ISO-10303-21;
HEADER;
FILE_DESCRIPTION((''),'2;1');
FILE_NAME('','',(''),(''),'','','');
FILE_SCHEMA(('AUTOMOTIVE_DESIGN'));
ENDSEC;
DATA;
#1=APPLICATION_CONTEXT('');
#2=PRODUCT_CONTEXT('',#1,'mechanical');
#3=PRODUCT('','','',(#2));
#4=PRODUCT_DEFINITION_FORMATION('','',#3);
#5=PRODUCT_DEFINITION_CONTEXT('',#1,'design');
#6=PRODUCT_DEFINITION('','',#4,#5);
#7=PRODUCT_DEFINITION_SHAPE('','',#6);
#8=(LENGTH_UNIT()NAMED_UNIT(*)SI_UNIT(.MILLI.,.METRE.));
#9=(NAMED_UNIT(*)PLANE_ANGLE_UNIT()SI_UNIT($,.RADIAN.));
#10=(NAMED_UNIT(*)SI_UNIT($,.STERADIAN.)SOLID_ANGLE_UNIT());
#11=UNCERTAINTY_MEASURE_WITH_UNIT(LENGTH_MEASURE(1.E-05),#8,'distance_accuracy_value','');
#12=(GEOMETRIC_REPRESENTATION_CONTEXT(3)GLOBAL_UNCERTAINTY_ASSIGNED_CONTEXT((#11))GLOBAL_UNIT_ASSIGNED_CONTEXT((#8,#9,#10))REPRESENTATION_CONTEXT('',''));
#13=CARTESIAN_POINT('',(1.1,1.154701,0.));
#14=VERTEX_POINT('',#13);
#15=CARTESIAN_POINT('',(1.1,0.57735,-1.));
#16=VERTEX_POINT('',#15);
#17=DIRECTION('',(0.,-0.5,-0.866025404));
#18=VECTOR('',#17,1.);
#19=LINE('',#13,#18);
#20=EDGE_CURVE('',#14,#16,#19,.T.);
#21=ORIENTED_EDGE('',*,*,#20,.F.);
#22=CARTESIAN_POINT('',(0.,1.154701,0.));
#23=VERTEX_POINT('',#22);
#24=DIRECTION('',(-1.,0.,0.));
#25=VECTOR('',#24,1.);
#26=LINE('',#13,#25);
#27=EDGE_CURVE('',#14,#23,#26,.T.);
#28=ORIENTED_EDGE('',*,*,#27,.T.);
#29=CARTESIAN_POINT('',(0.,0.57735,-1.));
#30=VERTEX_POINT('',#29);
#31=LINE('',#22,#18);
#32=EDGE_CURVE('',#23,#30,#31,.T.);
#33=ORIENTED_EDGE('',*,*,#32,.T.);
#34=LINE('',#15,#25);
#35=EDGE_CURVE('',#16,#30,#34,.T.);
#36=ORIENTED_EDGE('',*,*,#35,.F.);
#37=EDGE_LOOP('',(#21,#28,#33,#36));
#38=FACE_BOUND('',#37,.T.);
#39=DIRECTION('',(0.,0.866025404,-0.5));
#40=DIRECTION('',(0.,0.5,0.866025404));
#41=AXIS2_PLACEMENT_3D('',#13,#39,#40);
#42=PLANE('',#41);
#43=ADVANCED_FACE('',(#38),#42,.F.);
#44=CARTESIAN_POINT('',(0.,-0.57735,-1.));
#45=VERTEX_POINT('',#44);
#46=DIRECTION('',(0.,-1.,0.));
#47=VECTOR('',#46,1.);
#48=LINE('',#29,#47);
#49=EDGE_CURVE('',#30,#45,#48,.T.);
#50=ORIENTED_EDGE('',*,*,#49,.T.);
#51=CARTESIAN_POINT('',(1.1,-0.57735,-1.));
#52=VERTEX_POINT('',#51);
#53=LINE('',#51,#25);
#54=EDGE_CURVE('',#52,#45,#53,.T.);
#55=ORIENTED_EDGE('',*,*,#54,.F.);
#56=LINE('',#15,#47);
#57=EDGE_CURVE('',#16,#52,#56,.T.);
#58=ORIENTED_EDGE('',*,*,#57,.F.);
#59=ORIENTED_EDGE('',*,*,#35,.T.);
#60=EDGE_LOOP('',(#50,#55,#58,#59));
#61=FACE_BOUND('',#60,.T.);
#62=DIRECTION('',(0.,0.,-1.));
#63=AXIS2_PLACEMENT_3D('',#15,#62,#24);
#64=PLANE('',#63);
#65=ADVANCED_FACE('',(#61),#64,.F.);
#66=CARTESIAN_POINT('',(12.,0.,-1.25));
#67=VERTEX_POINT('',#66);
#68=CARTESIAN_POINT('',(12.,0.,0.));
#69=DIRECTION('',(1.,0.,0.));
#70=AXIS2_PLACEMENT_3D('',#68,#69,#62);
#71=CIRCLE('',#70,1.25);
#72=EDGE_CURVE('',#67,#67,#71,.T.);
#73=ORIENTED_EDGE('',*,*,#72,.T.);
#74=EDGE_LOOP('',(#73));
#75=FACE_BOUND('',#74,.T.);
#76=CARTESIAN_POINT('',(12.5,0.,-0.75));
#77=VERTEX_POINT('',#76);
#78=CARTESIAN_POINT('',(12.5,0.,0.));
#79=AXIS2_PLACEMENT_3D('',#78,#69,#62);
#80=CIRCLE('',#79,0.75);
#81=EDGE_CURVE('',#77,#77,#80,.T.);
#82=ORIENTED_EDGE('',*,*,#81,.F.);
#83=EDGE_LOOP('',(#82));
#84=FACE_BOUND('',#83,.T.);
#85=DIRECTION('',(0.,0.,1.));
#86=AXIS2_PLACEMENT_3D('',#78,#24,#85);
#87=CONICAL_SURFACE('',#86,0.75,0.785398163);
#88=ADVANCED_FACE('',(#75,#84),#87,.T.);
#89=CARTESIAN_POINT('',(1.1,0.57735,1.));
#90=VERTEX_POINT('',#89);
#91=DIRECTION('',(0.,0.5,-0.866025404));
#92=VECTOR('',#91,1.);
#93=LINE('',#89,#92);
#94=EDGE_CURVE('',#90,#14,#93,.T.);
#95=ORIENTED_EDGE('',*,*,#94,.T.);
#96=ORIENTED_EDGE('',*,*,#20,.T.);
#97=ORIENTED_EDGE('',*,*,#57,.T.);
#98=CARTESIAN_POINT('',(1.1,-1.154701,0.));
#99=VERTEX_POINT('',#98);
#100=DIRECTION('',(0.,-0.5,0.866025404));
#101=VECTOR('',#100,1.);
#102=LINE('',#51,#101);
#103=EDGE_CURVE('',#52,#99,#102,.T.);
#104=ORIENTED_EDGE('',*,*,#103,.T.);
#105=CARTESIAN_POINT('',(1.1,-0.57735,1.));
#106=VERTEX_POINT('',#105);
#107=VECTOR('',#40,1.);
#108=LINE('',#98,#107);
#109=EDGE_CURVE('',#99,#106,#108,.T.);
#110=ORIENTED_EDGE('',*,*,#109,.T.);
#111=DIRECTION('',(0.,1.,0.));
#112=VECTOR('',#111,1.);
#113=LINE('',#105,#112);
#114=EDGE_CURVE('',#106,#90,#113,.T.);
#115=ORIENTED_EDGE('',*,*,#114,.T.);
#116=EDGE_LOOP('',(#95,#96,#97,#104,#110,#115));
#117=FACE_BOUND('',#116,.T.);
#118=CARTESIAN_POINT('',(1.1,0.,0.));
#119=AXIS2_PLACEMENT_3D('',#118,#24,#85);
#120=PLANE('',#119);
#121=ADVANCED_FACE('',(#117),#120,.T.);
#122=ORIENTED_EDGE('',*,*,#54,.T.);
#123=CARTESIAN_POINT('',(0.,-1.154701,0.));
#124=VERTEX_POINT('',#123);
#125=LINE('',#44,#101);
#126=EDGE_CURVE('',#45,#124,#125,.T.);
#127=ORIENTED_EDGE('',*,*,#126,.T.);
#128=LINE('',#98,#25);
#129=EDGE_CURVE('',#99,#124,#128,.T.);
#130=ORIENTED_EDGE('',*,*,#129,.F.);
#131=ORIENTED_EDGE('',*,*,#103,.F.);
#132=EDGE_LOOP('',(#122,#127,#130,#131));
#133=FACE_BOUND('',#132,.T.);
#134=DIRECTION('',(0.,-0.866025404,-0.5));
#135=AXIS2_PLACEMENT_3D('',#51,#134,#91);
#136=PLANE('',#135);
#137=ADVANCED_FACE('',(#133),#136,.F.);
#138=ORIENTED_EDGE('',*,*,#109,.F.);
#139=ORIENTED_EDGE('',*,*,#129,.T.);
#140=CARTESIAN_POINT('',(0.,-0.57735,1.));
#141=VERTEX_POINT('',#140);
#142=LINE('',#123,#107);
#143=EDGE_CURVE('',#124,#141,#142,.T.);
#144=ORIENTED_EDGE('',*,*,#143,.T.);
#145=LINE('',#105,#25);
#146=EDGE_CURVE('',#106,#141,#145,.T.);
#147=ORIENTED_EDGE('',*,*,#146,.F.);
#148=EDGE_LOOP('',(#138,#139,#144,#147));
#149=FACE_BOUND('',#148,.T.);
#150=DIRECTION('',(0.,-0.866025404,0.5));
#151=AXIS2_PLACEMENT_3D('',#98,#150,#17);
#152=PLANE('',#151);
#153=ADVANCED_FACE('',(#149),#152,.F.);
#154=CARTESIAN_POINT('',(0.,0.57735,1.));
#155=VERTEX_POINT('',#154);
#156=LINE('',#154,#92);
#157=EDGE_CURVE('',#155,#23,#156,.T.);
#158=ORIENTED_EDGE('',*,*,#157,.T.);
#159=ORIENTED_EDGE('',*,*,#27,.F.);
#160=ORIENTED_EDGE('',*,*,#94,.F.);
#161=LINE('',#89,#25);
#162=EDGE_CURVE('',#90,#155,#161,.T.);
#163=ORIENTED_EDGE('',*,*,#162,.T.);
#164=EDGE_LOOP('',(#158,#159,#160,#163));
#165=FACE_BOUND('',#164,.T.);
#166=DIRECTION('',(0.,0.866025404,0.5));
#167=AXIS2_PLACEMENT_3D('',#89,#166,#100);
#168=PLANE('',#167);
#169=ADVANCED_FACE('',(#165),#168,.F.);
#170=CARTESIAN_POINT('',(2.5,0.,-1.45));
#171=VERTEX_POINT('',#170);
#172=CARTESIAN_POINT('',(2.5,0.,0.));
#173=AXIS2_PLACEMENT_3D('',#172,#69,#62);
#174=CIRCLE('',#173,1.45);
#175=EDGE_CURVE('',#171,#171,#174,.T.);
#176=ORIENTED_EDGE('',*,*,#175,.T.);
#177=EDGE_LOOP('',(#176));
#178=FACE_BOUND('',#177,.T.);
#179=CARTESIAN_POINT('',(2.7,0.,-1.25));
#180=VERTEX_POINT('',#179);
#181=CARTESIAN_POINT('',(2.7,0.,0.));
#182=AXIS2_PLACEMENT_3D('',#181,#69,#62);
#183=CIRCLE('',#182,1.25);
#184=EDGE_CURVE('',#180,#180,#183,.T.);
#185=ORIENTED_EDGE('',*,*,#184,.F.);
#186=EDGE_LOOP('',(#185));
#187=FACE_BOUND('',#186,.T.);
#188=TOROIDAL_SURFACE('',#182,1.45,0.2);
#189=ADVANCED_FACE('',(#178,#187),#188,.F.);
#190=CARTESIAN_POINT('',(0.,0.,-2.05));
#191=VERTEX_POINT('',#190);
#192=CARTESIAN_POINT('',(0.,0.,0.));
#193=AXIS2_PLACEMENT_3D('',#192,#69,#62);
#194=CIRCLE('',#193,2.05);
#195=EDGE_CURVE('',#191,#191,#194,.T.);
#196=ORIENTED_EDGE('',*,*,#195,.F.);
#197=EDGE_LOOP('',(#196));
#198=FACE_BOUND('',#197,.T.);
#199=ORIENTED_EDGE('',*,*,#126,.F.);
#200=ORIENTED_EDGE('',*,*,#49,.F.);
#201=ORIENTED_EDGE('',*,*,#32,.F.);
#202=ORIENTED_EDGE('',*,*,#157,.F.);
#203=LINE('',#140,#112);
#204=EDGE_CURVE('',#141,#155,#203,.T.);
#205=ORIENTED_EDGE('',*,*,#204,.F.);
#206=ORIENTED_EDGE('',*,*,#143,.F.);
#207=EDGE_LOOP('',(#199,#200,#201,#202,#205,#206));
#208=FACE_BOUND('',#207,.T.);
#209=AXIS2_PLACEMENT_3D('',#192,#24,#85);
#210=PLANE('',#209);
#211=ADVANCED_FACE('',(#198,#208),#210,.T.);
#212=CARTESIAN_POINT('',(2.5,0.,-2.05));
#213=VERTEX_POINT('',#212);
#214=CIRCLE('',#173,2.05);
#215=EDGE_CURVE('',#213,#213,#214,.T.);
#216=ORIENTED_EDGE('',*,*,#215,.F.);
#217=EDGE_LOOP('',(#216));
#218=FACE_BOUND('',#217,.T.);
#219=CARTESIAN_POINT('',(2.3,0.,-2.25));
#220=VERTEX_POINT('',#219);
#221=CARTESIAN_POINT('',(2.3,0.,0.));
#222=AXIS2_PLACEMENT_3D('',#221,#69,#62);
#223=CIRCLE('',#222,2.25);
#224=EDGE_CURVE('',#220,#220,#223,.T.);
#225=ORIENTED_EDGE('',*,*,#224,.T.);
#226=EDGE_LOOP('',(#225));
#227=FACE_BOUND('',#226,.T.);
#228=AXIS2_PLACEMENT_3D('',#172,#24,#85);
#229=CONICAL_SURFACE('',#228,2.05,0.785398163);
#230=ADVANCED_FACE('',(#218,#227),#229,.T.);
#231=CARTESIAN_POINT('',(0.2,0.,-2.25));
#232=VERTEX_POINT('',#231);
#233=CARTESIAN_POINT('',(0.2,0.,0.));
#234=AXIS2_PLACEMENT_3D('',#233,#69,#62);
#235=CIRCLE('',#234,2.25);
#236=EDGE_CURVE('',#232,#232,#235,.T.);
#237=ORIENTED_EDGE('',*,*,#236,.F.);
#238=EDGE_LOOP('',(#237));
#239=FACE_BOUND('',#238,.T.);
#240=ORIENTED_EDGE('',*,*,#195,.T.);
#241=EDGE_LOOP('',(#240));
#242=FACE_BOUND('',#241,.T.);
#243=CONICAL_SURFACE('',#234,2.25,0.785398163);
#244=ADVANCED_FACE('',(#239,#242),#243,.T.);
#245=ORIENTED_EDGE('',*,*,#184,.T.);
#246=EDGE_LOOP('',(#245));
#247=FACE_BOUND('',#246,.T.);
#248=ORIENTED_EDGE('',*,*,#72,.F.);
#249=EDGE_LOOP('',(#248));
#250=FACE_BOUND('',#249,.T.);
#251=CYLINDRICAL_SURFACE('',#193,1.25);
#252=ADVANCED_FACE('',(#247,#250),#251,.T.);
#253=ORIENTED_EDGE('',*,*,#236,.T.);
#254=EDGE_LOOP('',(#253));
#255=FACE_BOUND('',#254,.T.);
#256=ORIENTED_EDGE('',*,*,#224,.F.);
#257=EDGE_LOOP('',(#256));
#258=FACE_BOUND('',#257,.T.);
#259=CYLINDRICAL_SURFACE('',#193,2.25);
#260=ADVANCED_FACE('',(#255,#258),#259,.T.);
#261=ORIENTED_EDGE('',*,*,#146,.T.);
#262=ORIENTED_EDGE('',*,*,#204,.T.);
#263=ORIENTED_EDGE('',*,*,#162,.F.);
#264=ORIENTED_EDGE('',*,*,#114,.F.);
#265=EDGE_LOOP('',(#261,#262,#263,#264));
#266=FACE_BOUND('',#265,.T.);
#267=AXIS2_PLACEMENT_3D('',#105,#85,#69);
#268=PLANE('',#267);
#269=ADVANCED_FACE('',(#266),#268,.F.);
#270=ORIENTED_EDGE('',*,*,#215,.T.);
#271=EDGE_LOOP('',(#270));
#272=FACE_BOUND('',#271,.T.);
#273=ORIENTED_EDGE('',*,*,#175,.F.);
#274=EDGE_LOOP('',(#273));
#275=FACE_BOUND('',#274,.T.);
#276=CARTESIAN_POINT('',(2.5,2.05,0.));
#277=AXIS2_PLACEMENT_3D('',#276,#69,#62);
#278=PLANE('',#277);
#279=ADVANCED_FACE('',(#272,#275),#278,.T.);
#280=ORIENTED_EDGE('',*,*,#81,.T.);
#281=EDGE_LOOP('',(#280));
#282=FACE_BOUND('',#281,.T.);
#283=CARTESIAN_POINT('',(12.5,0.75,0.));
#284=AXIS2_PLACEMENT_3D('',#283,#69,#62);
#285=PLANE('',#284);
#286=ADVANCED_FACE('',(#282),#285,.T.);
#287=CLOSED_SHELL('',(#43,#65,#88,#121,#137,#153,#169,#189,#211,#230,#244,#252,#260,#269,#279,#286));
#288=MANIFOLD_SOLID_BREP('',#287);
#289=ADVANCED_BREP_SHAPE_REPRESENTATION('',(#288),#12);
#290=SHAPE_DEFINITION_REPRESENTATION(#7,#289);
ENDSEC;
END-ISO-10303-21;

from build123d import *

# Parameters (mm, degrees)
CUT_EXTRUDE_1_DEPTH = 1.1


with BuildPart() as part:
    # Эскиз1 → Повернуть1 (revolve)
    with BuildSketch(Plane.XY, mode=Mode.PRIVATE) as revolve_1_sk:
        with BuildLine():
            Line((0, 0), (0, 2.05))
            Line((0, 2.05), (0.2, 2.25))
            Line((0.2, 2.25), (2.3, 2.25))
            Line((2.3, 2.25), (2.5, 2.05))
            Line((2.5, 2.05), (2.5, 1.45))
            ThreePointArc((2.5, 1.45), (2.558578644, 1.308578644), (2.7, 1.25))
            Line((2.7, 1.25), (12, 1.25))
            Line((12, 1.25), (12.5, 0.75))
            Line((12.5, 0.75), (12.5, 0))
            Line((12.5, 0), (0, 0))
        make_face()
    revolve(revolve_1_sk.sketch.rotate(Axis((0, 0, 0), (-1, 0, 0)), 90), axis=Axis((0, 0, 0), (-1, 0, 0)))

    # Эскиз2 → Вырез-Вытянуть1 (cut)
    with BuildSketch(Plane.ZY):
        Polygon((0, 1.154700538), (-1, 0.577350269), (-1, -0.577350269), (0, -1.154700538), (1, -0.577350269), (1, 0.577350269), align=None)
    extrude(amount=-CUT_EXTRUDE_1_DEPTH, mode=Mode.SUBTRACT)


solid = part.part
